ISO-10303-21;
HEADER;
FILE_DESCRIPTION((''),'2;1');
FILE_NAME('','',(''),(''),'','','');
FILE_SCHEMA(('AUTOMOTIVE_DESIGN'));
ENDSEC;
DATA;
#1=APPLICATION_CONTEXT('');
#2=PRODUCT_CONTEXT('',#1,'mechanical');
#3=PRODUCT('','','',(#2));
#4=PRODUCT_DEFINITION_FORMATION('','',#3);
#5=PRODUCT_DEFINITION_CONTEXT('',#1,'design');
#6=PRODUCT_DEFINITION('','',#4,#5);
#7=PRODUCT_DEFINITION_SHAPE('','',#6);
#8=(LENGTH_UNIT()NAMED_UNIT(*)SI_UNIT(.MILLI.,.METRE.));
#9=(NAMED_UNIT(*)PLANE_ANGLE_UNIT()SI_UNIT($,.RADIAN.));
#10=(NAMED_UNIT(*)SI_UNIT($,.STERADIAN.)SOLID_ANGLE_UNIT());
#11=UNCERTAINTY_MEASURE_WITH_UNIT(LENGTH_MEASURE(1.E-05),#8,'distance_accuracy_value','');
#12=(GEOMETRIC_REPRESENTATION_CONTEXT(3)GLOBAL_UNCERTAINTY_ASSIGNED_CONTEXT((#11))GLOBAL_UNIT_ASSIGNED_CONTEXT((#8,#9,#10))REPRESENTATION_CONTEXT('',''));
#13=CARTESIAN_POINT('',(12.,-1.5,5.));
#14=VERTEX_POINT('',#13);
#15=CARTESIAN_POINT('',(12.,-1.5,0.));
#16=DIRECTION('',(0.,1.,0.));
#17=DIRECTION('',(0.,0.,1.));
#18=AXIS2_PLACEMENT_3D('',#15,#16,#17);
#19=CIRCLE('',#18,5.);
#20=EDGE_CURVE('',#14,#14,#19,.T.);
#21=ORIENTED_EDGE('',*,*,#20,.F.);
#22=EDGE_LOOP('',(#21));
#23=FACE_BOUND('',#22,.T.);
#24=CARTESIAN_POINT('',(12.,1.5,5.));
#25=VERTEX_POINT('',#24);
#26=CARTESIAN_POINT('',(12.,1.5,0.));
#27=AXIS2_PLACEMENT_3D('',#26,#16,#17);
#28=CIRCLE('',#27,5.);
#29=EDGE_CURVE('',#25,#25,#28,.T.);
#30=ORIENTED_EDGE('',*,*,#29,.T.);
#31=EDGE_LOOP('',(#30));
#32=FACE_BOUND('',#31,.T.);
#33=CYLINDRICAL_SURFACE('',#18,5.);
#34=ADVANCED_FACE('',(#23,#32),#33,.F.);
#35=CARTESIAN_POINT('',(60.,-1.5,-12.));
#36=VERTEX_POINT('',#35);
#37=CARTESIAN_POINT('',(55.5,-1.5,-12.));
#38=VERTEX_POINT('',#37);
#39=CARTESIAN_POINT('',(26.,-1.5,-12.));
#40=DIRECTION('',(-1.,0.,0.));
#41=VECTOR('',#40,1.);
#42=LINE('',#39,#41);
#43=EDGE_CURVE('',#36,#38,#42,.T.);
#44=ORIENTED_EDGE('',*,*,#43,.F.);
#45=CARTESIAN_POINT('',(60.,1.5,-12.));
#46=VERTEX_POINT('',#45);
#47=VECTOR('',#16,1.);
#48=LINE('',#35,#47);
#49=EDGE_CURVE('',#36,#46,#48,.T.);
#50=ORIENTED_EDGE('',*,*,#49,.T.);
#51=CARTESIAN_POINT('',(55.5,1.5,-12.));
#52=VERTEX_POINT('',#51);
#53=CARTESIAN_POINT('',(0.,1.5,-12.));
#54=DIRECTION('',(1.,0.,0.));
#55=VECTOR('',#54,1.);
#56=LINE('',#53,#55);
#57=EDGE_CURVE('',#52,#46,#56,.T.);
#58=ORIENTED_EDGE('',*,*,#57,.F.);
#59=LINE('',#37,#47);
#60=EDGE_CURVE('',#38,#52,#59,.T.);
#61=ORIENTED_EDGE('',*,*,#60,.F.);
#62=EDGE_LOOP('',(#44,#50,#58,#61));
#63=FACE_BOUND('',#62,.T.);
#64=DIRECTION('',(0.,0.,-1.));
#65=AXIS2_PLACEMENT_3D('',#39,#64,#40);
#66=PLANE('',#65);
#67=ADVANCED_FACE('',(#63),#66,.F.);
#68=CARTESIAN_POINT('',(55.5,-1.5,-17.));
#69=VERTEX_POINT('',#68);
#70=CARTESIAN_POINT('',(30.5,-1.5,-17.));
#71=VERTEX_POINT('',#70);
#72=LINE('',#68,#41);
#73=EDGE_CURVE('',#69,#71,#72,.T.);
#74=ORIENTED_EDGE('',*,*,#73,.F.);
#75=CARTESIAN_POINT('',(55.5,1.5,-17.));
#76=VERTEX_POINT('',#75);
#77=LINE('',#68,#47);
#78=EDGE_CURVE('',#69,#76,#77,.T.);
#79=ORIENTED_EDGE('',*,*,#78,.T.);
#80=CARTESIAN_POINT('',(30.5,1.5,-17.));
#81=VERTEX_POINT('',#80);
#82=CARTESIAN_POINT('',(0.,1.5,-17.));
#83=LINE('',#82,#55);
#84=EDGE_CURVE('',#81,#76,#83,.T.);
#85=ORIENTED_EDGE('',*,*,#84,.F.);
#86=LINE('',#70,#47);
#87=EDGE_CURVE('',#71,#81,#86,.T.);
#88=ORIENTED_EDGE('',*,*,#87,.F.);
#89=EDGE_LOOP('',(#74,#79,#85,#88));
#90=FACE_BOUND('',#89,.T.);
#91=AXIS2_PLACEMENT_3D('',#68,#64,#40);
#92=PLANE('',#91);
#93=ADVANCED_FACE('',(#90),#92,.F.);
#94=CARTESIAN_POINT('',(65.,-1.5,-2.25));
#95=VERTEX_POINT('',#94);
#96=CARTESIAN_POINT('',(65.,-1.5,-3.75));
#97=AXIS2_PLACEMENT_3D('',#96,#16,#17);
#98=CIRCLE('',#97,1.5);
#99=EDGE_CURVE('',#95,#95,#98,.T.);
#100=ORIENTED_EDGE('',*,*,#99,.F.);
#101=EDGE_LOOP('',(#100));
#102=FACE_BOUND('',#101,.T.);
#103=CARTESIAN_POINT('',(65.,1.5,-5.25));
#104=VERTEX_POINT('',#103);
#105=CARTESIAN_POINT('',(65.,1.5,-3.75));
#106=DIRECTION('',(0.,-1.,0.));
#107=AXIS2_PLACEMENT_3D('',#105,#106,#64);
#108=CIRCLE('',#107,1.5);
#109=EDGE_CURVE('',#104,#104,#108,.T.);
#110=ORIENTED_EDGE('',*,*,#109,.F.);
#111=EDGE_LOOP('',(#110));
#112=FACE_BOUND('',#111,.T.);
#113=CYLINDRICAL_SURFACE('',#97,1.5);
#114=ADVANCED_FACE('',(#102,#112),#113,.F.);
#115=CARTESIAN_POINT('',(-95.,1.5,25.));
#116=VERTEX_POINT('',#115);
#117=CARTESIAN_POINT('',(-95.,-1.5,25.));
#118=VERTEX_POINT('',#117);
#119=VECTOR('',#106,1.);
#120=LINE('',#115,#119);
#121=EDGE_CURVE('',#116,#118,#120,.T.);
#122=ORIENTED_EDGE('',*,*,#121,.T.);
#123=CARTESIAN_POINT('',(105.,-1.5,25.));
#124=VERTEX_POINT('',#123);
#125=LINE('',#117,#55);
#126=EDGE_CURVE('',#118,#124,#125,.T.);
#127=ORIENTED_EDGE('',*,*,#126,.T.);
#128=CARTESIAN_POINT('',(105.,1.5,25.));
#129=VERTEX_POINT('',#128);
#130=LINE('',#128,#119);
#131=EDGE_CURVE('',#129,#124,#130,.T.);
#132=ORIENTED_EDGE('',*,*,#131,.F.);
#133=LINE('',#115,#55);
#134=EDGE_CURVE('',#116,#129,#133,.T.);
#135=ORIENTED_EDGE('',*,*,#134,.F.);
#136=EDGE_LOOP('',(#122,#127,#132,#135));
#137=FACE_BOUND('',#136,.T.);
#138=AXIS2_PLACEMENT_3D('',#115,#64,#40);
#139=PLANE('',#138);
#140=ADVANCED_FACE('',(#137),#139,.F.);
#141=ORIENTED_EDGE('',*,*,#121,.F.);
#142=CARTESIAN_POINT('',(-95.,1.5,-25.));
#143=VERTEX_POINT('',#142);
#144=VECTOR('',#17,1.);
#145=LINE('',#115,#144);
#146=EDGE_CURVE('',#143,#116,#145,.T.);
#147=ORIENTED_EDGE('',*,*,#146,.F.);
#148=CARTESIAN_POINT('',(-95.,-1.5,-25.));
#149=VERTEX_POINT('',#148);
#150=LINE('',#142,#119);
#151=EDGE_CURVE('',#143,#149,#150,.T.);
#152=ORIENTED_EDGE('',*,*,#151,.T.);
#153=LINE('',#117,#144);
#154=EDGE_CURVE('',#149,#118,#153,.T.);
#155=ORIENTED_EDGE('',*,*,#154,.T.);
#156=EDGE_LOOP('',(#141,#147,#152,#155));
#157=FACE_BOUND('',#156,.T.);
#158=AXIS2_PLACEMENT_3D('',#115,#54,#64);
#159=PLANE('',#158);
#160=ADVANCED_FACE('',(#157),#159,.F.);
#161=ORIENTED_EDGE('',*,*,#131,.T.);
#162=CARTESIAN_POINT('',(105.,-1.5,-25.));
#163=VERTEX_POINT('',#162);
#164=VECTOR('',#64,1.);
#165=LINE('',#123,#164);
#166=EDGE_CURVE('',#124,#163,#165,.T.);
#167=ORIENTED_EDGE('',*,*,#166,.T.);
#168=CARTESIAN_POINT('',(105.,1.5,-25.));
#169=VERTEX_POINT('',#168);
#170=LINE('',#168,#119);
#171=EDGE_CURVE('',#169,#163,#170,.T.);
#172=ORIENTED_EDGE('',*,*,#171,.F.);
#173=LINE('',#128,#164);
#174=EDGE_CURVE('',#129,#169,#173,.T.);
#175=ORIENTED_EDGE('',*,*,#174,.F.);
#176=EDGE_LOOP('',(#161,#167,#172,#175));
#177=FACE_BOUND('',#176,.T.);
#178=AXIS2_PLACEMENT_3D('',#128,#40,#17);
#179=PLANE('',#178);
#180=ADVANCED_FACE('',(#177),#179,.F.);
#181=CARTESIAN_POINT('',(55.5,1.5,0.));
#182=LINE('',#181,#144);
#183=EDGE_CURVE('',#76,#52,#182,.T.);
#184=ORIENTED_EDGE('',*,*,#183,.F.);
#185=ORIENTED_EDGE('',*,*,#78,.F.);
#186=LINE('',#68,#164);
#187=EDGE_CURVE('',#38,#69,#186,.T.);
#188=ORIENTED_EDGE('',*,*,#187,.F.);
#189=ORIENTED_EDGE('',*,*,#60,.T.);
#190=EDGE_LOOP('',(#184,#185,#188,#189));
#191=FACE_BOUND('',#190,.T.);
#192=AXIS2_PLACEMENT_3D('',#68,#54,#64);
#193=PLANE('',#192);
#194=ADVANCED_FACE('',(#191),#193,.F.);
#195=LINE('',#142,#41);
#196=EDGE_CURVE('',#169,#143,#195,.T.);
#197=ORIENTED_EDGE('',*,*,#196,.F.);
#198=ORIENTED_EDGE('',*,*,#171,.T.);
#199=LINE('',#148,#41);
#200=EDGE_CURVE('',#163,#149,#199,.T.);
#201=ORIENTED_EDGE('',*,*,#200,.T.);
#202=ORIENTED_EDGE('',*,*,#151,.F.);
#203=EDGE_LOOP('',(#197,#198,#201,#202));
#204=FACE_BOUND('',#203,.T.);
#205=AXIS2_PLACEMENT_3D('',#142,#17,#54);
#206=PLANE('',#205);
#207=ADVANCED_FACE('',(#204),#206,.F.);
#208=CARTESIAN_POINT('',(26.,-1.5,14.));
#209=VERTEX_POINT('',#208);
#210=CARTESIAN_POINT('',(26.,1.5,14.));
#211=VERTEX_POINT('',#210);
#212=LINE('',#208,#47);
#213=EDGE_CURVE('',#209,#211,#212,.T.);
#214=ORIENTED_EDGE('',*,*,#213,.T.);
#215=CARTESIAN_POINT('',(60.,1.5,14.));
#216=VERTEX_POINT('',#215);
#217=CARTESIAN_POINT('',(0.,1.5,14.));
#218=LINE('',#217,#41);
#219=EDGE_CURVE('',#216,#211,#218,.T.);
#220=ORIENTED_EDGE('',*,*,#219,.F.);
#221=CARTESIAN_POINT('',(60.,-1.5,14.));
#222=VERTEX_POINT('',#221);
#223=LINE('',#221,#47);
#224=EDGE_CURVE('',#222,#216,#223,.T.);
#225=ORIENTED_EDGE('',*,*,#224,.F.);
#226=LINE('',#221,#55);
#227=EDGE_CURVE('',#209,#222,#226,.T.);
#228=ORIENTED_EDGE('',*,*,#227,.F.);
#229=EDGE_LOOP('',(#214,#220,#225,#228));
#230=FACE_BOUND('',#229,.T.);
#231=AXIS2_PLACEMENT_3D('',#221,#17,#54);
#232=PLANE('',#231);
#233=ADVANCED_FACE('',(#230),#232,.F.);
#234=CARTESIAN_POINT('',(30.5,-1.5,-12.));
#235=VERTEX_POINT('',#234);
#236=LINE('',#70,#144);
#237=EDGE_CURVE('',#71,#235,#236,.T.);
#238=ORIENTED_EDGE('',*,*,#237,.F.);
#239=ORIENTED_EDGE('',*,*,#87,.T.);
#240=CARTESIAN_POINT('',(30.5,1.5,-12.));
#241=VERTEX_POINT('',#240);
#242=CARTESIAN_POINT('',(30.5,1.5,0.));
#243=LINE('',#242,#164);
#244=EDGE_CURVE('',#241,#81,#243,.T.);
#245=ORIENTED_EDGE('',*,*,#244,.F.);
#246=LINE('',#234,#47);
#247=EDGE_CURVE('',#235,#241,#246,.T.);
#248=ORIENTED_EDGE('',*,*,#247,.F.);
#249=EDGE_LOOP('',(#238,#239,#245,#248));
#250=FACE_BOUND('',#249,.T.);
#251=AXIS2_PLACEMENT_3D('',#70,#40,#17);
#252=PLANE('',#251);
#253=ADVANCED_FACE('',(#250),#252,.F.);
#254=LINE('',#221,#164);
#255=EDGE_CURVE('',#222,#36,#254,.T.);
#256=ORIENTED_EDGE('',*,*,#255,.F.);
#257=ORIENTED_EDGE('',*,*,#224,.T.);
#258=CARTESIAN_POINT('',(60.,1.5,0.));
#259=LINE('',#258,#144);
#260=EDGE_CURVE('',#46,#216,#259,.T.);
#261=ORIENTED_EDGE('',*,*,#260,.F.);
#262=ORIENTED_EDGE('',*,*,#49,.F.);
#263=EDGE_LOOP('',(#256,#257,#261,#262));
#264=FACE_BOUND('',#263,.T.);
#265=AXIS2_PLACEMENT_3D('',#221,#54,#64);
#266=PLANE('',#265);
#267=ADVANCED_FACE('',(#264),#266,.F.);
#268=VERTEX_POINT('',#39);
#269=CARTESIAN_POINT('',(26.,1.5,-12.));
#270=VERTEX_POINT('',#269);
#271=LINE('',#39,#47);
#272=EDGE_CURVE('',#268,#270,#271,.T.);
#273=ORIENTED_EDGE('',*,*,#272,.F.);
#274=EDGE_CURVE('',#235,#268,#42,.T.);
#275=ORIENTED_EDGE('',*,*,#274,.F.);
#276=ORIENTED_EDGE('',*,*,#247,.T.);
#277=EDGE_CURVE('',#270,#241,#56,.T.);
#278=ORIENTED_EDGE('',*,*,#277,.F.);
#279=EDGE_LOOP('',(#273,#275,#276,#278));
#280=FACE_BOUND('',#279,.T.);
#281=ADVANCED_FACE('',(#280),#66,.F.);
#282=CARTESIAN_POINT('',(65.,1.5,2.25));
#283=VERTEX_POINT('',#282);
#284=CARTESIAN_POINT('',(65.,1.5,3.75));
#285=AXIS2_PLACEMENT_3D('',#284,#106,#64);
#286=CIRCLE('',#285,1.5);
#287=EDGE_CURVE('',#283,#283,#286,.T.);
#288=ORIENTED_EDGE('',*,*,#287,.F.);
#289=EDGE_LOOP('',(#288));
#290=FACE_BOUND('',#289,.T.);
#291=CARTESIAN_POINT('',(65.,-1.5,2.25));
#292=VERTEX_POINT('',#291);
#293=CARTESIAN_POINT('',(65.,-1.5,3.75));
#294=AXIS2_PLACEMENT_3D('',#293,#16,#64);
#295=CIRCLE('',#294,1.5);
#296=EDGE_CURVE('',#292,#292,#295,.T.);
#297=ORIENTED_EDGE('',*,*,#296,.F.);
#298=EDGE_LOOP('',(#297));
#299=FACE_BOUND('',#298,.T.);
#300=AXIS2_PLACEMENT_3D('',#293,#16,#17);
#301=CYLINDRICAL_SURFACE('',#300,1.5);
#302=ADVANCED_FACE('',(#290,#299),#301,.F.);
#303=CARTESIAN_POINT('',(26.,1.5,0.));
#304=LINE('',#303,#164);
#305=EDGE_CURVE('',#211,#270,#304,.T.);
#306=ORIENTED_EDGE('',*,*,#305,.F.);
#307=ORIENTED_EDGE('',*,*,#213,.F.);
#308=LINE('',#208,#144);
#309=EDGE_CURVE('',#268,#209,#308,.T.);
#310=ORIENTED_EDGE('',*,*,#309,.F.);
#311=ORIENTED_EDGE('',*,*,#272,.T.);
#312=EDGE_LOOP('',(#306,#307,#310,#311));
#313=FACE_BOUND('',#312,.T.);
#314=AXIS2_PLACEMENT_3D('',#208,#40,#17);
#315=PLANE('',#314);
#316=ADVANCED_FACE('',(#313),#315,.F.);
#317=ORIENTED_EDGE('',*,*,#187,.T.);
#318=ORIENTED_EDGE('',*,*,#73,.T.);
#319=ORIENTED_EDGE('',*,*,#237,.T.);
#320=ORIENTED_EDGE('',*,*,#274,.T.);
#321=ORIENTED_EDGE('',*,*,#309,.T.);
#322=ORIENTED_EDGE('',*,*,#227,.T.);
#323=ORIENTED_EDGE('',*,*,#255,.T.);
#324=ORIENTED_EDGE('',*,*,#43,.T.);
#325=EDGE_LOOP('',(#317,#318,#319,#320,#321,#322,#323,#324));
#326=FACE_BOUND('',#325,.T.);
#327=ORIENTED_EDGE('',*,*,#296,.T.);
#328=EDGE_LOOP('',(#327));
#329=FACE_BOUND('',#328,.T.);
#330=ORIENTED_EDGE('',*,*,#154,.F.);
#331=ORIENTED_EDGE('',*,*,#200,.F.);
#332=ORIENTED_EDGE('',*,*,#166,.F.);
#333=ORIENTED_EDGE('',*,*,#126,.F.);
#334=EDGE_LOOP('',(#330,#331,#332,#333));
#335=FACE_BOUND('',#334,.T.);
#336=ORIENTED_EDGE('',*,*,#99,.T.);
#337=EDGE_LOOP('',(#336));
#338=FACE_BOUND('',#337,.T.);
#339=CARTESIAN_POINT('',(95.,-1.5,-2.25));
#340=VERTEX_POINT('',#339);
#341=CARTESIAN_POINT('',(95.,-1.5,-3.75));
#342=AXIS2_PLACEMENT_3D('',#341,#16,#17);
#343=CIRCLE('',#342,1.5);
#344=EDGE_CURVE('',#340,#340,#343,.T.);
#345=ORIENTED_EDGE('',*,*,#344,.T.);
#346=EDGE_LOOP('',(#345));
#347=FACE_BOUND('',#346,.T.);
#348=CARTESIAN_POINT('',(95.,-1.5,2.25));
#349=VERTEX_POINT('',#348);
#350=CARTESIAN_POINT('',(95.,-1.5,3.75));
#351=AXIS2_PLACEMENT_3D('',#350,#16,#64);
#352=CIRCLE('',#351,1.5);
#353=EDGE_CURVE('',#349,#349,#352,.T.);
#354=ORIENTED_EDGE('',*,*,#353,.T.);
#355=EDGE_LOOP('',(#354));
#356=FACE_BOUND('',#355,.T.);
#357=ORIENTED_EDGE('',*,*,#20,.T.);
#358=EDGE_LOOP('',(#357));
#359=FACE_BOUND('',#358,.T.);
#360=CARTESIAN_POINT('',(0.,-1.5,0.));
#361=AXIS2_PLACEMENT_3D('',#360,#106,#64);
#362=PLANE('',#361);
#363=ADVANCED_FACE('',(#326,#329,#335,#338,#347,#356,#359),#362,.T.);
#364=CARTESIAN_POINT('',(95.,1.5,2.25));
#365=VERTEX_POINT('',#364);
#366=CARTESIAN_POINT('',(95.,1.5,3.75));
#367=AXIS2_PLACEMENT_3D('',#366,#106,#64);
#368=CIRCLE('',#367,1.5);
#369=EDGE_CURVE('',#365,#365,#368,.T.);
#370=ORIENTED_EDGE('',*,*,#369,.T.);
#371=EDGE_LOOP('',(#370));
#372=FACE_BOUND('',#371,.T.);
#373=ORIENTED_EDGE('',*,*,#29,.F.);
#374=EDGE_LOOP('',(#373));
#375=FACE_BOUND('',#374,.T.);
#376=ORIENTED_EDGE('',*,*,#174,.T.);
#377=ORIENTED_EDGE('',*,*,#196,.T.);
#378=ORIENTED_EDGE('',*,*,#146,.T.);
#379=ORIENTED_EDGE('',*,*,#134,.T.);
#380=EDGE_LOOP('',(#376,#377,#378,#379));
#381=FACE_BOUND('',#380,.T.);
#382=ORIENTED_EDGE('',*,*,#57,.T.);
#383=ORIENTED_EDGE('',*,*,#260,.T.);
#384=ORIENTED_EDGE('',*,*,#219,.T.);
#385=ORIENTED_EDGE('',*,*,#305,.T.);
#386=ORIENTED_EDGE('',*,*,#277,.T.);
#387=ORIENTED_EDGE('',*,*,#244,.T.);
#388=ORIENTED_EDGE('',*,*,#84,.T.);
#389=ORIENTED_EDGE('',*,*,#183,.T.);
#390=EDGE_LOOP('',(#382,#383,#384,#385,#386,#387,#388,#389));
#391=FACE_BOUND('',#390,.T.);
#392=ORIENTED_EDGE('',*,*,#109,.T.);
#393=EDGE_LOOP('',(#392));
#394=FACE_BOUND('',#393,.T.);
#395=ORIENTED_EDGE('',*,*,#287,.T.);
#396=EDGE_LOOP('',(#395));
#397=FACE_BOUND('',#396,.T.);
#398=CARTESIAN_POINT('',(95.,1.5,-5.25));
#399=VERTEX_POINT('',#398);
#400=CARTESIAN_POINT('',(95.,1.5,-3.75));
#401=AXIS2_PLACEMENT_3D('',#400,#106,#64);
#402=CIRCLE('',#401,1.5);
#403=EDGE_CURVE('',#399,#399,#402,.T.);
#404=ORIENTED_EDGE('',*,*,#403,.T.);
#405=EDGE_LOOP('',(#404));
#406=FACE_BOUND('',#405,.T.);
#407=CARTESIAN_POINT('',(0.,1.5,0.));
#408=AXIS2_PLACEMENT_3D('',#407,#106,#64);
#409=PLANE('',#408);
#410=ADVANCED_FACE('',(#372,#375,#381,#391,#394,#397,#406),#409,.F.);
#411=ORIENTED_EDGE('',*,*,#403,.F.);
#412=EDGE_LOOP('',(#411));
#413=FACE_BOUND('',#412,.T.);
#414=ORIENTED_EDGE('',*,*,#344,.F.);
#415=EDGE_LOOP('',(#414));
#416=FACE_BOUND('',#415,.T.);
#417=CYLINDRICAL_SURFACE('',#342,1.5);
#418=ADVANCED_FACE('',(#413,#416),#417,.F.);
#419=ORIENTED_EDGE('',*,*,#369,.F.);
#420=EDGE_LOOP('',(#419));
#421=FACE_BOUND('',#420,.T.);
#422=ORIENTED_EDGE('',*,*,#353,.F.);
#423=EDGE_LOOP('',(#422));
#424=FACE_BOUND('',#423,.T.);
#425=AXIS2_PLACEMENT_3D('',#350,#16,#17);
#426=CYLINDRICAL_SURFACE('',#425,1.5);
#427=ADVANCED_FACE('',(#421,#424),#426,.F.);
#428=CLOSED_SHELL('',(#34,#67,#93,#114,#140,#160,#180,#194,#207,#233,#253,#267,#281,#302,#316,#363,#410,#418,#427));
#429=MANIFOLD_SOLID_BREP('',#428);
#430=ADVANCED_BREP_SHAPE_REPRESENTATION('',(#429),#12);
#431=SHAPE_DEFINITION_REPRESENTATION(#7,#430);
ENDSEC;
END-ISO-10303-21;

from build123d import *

# Parameters (mm, degrees)
SKETCH1_W               = 200
SKETCH1_H               = 50
BOSS_EXTRUDE1_DEPTH     = 1.5
SKETCH3_R               = 5
CUT_EXTRUDE2_DEPTH      = 108.976849371
CUT_EXTRUDE3_DEPTH      = 108.976849371
CUT_EXTRUDE3_DEPTH_BACK = 108.976849371
SKETCH4_R               = 1.5
CUT_EXTRUDE4_DEPTH      = 108.976849371
CUT_EXTRUDE4_DEPTH_BACK = 108.976849371
SKETCH5_W               = 34
SKETCH5_H               = 26
CUT_EXTRUDE5_DEPTH      = 108.976849371
CUT_EXTRUDE5_DEPTH_BACK = 108.976849371
SKETCH6_W               = 25
SKETCH6_H               = 5


with BuildPart() as part:
    # Sketch1 → Boss-Extrude1 (new, symmetric)
    with BuildSketch(Plane(origin=(0, 0, 0), x_dir=(1, 0, 0), z_dir=(0, 1, 0))):
        with Locations((5, 0)):
            Rectangle(SKETCH1_W, SKETCH1_H)
    extrude(amount=BOSS_EXTRUDE1_DEPTH, both=True)

    # Sketch3 → Cut-Extrude2 (cut, through all)
    with BuildSketch(Plane(origin=(0, 1.5, 0), x_dir=(1, 0, 0), z_dir=(0, 1, 0))):
        with Locations(Location((12, 0, 0), (0, 0, 270))):
            Circle(SKETCH3_R)
    extrude(amount=-CUT_EXTRUDE2_DEPTH, mode=Mode.SUBTRACT)

    # Sketch4 → Cut-Extrude3 (cut, two sides: drawn at the far end of the back side and taken through both)
    with BuildSketch(Plane(origin=(0, 1.5, 0), x_dir=(1, 0, 0), z_dir=(0, 1, 0)).offset(-CUT_EXTRUDE3_DEPTH_BACK)):
        with Locations(Location((65, 3.75, 0), (0, 0, 270))):
            Circle(SKETCH4_R)
        with Locations(Location((95, 3.75, 0), (0, 0, 270))):
            Circle(SKETCH4_R)
        with Locations(Location((95, -3.75, 0), (0, 0, 90))):
            Circle(SKETCH4_R)
        with Locations(Location((65, -3.75, 0), (0, 0, 90))):
            Circle(SKETCH4_R)
    extrude(amount=CUT_EXTRUDE3_DEPTH + CUT_EXTRUDE3_DEPTH_BACK, mode=Mode.SUBTRACT)

    # Sketch5 → Cut-Extrude4 (cut, two sides: drawn at the far end of the back side and taken through both)
    with BuildSketch(Plane(origin=(0, 1.5, 0), x_dir=(1, 0, 0), z_dir=(0, 1, 0)).offset(-CUT_EXTRUDE4_DEPTH_BACK)):
        with Locations((43, -1)):
            Rectangle(SKETCH5_W, SKETCH5_H)
    extrude(amount=CUT_EXTRUDE4_DEPTH + CUT_EXTRUDE4_DEPTH_BACK, mode=Mode.SUBTRACT)

    # Sketch6 → Cut-Extrude5 (cut, two sides: drawn at the far end of the back side and taken through both)
    with BuildSketch(Plane(origin=(0, 1.5, 0), x_dir=(1, 0, 0), z_dir=(0, 1, 0)).offset(-CUT_EXTRUDE5_DEPTH_BACK)):
        with Locations((43, 14.5)):
            Rectangle(SKETCH6_W, SKETCH6_H)
    extrude(amount=CUT_EXTRUDE5_DEPTH + CUT_EXTRUDE5_DEPTH_BACK, mode=Mode.SUBTRACT)


solid = part.part
